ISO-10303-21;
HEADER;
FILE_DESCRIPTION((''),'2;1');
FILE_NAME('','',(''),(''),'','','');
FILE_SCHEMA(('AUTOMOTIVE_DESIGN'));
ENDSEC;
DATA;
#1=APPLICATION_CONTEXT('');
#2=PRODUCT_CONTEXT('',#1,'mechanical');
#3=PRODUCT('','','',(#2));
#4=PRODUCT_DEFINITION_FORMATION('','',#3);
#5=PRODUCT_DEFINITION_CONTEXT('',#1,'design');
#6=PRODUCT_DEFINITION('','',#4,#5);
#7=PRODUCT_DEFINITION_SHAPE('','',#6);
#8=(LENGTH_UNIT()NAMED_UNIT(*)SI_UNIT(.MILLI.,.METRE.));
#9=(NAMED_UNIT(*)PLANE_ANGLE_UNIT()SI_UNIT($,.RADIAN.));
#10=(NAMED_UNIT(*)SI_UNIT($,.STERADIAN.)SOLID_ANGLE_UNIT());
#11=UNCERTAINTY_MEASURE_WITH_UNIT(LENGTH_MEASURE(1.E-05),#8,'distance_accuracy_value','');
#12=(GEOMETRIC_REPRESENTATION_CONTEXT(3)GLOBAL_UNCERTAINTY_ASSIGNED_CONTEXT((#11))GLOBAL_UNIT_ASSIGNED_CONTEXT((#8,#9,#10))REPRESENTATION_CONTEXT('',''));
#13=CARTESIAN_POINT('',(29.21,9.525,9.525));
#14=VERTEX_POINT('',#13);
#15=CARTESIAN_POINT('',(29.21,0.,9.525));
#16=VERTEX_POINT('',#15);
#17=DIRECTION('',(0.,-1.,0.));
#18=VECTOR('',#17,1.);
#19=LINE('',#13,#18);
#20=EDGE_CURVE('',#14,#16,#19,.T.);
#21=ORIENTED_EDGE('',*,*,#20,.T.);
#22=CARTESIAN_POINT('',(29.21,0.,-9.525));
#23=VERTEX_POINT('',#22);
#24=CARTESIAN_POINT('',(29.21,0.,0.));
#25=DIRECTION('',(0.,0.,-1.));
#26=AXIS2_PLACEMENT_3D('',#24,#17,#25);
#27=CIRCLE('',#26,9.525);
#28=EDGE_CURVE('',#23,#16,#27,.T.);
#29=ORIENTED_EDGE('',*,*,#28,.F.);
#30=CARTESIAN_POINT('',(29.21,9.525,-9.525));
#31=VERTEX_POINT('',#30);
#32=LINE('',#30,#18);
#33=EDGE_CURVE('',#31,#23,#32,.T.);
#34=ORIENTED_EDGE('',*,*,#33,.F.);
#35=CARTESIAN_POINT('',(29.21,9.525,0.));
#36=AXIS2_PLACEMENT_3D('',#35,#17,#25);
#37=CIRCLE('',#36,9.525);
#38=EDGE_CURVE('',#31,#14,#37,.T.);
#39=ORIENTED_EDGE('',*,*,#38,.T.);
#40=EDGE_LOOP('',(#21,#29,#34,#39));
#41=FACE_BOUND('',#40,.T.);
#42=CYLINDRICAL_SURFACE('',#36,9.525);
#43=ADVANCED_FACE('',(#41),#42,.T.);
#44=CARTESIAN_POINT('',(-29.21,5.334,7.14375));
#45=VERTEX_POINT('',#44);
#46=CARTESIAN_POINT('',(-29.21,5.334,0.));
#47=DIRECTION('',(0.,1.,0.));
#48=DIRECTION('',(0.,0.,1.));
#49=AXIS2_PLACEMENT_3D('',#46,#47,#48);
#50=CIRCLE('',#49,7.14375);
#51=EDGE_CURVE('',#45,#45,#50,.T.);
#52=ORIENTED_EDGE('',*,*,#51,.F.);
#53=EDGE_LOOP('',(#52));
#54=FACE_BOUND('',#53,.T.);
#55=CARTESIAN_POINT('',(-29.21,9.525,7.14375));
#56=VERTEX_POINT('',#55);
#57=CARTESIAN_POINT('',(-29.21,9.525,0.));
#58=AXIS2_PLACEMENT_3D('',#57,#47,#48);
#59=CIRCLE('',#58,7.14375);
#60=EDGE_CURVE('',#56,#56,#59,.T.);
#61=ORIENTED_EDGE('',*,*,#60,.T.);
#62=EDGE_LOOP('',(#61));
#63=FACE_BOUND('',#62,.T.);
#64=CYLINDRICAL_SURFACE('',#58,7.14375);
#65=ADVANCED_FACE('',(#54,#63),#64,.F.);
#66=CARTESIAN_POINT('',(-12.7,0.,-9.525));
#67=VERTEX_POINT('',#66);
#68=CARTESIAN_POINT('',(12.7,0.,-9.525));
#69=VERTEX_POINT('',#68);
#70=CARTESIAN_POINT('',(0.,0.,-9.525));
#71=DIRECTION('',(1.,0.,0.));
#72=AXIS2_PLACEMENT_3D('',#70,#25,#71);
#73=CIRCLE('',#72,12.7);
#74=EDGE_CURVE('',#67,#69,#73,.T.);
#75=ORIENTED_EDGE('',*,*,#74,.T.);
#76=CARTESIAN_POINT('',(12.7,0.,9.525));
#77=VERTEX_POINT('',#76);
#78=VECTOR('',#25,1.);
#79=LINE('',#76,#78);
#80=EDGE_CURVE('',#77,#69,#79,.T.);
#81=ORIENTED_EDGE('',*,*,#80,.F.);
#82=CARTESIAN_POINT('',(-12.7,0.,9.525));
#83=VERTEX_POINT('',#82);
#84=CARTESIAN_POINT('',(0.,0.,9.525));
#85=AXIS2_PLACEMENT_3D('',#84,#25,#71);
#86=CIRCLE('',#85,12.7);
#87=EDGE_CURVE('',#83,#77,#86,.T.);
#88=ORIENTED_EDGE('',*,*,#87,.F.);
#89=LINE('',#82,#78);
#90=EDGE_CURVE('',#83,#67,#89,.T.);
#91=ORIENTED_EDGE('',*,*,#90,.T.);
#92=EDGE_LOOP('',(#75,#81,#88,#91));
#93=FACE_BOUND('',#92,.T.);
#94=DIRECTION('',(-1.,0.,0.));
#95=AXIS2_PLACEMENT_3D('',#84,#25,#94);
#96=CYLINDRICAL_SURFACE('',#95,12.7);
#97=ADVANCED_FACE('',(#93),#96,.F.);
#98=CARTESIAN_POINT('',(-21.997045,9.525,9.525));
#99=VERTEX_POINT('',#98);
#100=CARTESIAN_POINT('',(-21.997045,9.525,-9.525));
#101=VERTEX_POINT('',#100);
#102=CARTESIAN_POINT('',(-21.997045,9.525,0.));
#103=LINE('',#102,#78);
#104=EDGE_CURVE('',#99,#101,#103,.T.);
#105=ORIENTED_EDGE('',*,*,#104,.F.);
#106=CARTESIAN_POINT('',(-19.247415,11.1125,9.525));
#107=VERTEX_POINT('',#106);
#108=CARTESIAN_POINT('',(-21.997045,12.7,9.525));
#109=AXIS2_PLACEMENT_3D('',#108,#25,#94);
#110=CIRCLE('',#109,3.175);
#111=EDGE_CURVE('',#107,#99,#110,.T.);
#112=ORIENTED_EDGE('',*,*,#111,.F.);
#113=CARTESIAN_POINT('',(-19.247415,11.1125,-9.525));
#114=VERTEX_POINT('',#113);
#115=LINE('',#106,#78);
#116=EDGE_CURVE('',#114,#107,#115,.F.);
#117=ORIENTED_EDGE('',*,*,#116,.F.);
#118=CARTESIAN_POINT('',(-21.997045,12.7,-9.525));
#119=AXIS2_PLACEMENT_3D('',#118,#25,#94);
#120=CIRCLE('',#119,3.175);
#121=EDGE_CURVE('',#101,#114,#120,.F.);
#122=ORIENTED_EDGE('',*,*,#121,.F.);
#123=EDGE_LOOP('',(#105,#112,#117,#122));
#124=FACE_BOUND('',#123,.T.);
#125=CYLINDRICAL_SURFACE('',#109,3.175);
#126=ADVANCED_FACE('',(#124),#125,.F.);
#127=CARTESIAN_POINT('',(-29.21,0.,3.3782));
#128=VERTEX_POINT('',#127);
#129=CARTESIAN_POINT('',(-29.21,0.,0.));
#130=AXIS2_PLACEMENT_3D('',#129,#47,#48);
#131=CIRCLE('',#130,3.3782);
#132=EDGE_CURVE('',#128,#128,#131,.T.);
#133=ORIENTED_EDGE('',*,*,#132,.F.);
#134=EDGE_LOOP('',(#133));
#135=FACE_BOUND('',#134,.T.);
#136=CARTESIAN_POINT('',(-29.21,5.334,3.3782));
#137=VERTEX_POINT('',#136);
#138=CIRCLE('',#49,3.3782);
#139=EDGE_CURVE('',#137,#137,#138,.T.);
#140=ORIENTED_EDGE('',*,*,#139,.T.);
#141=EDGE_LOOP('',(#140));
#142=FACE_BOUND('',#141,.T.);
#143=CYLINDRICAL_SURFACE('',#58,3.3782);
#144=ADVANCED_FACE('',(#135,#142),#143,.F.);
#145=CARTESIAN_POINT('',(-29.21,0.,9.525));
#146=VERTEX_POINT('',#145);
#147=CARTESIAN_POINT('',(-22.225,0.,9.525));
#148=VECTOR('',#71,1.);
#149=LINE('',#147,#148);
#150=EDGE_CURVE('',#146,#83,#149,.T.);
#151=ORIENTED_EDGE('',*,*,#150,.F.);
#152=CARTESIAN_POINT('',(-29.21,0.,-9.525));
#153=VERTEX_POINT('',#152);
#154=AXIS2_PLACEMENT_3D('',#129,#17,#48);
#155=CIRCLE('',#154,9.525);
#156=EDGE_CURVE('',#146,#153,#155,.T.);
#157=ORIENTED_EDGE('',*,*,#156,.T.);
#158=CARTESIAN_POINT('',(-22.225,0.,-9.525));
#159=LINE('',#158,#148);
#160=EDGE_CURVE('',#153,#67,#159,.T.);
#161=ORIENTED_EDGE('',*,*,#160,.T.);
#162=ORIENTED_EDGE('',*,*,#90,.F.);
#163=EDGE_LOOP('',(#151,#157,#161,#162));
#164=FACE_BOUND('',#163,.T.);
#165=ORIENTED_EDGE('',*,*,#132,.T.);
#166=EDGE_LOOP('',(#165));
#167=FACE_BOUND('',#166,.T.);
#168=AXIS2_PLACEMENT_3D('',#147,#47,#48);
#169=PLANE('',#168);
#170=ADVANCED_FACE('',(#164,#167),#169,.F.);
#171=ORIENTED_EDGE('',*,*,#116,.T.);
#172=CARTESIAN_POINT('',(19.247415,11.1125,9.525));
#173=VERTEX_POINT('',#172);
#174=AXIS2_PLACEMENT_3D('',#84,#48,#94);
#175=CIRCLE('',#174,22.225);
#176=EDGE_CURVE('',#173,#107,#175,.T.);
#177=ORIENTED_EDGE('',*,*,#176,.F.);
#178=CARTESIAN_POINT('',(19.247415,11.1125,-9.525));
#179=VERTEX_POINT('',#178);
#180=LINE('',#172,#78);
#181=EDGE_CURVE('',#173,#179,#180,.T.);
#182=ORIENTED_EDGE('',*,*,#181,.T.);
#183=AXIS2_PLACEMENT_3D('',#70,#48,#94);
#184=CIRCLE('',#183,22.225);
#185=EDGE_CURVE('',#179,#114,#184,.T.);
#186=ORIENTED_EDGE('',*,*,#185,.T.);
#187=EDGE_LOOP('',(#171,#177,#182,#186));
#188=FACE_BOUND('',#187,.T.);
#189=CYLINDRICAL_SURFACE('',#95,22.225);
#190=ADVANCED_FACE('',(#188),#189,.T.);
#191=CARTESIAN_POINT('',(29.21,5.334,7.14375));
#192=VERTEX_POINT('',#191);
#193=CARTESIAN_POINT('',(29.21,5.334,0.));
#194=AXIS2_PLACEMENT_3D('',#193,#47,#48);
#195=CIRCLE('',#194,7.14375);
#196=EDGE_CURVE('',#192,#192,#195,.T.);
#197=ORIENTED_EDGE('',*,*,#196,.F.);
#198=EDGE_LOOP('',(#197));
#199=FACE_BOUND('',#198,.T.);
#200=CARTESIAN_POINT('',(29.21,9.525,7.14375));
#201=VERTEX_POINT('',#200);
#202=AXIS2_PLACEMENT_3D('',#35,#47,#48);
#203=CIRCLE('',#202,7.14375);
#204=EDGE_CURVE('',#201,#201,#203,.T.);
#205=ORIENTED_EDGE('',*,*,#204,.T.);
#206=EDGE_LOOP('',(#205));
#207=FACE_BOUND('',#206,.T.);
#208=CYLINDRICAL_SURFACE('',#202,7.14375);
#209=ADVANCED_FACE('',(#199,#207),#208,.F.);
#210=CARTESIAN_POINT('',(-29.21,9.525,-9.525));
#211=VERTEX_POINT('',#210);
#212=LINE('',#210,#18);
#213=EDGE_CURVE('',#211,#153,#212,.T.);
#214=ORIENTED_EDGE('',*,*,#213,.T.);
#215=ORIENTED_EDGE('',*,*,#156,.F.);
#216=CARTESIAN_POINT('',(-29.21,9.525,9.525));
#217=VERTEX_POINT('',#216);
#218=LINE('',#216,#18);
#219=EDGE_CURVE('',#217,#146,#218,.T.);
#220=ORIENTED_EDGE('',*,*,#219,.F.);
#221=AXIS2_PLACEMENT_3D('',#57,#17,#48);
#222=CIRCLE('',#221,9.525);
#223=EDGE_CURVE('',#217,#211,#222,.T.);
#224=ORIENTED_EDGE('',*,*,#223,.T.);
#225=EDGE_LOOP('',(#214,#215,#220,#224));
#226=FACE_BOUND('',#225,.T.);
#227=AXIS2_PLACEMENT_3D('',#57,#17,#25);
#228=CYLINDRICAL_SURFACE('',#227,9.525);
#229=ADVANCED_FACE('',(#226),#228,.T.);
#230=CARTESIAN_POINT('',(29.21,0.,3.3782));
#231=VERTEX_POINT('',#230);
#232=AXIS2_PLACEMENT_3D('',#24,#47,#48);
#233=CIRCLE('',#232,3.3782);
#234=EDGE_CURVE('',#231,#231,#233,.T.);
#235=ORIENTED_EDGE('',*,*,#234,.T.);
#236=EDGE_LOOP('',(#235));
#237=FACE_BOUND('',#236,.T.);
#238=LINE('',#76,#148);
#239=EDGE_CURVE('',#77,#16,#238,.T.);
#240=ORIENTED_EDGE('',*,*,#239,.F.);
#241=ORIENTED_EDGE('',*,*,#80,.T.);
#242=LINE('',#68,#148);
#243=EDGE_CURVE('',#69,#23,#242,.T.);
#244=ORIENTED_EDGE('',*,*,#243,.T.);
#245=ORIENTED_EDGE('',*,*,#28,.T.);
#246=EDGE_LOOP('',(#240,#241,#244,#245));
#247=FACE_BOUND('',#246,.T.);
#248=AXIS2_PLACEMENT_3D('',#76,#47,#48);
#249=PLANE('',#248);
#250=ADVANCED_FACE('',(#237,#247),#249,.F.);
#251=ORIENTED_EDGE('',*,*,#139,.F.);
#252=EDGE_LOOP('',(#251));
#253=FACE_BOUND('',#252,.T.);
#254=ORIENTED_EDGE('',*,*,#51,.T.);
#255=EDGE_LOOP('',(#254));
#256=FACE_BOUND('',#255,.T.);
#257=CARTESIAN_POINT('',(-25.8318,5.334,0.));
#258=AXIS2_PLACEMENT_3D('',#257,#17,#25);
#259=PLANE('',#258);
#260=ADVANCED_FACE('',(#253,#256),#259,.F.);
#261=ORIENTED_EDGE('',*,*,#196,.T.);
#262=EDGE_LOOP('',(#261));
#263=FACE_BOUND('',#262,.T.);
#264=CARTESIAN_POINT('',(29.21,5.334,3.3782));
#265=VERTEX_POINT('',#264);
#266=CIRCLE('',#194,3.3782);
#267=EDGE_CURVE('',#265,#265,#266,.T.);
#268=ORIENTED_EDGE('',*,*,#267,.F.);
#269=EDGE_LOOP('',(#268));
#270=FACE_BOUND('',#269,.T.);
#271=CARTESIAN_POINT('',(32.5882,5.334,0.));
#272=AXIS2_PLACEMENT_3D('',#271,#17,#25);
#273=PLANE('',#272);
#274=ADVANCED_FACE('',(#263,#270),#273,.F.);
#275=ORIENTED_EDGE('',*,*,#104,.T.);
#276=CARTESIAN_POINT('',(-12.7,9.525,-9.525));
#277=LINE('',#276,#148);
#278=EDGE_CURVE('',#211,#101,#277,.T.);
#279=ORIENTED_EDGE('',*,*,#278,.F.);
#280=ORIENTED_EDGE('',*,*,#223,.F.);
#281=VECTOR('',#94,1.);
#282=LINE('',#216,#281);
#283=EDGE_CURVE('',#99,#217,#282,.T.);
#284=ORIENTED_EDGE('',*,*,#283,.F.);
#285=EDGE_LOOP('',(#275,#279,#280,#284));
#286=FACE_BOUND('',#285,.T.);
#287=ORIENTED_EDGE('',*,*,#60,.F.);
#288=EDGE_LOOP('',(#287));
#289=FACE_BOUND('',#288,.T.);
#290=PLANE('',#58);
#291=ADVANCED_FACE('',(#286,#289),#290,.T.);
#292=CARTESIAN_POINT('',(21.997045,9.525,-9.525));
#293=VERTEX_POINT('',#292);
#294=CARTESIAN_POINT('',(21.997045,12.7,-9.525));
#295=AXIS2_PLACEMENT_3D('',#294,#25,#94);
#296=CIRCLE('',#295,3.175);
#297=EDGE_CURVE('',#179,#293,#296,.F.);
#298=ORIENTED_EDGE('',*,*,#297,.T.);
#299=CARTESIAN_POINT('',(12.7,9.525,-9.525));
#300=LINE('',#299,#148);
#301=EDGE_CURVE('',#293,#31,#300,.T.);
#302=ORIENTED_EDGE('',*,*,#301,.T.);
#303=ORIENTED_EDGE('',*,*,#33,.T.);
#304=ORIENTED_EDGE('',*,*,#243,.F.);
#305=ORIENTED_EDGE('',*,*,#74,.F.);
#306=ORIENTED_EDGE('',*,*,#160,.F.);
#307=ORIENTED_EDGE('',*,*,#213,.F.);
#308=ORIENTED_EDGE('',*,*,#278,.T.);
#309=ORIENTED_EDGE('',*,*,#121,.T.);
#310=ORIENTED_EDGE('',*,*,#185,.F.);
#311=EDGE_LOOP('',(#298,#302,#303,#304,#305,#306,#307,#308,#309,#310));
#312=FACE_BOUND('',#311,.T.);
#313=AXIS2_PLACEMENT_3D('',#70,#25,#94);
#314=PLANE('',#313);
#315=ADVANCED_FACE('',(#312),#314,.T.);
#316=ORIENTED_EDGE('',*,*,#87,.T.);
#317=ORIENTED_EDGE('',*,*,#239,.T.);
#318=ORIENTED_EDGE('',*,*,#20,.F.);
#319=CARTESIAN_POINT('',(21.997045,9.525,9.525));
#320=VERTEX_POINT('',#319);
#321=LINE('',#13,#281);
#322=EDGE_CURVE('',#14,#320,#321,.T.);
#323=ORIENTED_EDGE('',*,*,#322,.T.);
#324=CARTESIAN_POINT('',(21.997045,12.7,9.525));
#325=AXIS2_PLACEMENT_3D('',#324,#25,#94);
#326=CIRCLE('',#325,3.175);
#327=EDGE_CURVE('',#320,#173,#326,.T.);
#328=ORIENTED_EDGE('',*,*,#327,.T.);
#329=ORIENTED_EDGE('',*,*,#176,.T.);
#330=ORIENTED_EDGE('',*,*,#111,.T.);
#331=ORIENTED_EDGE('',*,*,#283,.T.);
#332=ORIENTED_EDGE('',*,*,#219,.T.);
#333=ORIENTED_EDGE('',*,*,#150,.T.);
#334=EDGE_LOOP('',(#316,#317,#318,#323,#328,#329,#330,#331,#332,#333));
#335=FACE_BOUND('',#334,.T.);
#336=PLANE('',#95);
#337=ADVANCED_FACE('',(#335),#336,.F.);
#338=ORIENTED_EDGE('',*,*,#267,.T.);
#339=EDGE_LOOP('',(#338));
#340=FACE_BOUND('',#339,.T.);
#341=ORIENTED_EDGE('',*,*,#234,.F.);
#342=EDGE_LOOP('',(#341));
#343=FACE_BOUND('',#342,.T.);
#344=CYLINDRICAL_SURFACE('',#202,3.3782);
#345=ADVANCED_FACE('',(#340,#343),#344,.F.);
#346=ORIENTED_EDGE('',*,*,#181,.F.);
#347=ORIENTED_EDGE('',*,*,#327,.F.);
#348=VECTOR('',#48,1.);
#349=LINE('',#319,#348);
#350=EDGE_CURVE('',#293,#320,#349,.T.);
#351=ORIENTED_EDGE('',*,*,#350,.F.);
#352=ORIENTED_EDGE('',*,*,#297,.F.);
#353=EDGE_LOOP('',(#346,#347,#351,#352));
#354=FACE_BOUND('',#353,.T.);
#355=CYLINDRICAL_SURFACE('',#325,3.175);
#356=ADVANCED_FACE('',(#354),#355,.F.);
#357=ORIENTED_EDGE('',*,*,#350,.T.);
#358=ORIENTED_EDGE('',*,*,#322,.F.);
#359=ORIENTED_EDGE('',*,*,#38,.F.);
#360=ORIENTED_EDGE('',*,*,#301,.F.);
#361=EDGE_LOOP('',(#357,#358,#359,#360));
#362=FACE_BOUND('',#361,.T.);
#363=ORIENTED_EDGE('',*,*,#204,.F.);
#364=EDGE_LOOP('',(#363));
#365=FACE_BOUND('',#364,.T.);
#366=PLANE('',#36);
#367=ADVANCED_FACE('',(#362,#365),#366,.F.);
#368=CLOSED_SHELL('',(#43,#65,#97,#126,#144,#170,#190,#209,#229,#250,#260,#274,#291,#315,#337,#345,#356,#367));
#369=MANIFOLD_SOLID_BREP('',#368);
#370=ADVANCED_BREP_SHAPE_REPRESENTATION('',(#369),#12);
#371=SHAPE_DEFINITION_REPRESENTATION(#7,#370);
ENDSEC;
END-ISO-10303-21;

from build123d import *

# Parameters (mm, degrees)
BOSS_EXTRUDE1_DEPTH                                  = 9.525
BOSS_EXTRUDE2_DEPTH                                  = 9.525
FILLET1_R                                            = 3.175
CBORE_FOR_1_4_BINDING_HEAD_MACHINE_SCREW_D           = 6.7564
CBORE_FOR_1_4_BINDING_HEAD_MACHINE_SCREW_CBORE_D     = 14.2875
CBORE_FOR_1_4_BINDING_HEAD_MACHINE_SCREW_CBORE_DEPTH = 4.191


with BuildPart() as part:
    # Sketch1 → Boss-Extrude1 (new, symmetric)
    with BuildSketch(Plane.XY):
        with BuildLine():
            Line((-22.225, 0), (-12.7, 0))
            ThreePointArc((-12.7, 0), (0, 12.7), (12.7, 0))
            Line((12.7, 0), (22.225, 0))
            ThreePointArc((22.225, 0), (0, 22.225), (-22.225, 0))
        make_face()
    extrude(amount=BOSS_EXTRUDE1_DEPTH, both=True)

    # Sketch2 → Boss-Extrude2 (add)
    with BuildSketch(Plane.XZ):
        with BuildLine():
            Line((-12.7, -9.525), (-29.21, -9.525))
            ThreePointArc((-29.21, -9.525), (-38.735, 0), (-29.21, 9.525))
            Line((-29.21, 9.525), (-12.7, 9.525))
            Line((-12.7, 9.525), (-12.7, -9.525))
        make_face()
        with BuildLine():
            Line((12.7, 9.525), (12.7, -9.525))
            Line((12.7, -9.525), (29.21, -9.525))
            ThreePointArc((29.21, -9.525), (38.735, 0), (29.21, 9.525))
            Line((29.21, 9.525), (12.7, 9.525))
        make_face()
    extrude(amount=-BOSS_EXTRUDE2_DEPTH)

    # Fillet1
    fillet1_edges = [part.edges().sort_by_distance(p)[0] for p in [
        (-20.080463142, 9.525, 0),
        (20.080463142, 9.525, 0),
    ]]
    fillet(fillet1_edges, radius=FILLET1_R)

    # CBORE for 1/4 Binding Head Machine Screw1 (through all)
    with Locations(Plane(origin=(0, 9.525, 0), x_dir=(1, 0, 0), z_dir=(0, 1, 0))):
        with Locations((-29.21, 0), (29.21, 0)):
            CounterBoreHole(CBORE_FOR_1_4_BINDING_HEAD_MACHINE_SCREW_D / 2, CBORE_FOR_1_4_BINDING_HEAD_MACHINE_SCREW_CBORE_D / 2, CBORE_FOR_1_4_BINDING_HEAD_MACHINE_SCREW_CBORE_DEPTH)


solid = part.part
